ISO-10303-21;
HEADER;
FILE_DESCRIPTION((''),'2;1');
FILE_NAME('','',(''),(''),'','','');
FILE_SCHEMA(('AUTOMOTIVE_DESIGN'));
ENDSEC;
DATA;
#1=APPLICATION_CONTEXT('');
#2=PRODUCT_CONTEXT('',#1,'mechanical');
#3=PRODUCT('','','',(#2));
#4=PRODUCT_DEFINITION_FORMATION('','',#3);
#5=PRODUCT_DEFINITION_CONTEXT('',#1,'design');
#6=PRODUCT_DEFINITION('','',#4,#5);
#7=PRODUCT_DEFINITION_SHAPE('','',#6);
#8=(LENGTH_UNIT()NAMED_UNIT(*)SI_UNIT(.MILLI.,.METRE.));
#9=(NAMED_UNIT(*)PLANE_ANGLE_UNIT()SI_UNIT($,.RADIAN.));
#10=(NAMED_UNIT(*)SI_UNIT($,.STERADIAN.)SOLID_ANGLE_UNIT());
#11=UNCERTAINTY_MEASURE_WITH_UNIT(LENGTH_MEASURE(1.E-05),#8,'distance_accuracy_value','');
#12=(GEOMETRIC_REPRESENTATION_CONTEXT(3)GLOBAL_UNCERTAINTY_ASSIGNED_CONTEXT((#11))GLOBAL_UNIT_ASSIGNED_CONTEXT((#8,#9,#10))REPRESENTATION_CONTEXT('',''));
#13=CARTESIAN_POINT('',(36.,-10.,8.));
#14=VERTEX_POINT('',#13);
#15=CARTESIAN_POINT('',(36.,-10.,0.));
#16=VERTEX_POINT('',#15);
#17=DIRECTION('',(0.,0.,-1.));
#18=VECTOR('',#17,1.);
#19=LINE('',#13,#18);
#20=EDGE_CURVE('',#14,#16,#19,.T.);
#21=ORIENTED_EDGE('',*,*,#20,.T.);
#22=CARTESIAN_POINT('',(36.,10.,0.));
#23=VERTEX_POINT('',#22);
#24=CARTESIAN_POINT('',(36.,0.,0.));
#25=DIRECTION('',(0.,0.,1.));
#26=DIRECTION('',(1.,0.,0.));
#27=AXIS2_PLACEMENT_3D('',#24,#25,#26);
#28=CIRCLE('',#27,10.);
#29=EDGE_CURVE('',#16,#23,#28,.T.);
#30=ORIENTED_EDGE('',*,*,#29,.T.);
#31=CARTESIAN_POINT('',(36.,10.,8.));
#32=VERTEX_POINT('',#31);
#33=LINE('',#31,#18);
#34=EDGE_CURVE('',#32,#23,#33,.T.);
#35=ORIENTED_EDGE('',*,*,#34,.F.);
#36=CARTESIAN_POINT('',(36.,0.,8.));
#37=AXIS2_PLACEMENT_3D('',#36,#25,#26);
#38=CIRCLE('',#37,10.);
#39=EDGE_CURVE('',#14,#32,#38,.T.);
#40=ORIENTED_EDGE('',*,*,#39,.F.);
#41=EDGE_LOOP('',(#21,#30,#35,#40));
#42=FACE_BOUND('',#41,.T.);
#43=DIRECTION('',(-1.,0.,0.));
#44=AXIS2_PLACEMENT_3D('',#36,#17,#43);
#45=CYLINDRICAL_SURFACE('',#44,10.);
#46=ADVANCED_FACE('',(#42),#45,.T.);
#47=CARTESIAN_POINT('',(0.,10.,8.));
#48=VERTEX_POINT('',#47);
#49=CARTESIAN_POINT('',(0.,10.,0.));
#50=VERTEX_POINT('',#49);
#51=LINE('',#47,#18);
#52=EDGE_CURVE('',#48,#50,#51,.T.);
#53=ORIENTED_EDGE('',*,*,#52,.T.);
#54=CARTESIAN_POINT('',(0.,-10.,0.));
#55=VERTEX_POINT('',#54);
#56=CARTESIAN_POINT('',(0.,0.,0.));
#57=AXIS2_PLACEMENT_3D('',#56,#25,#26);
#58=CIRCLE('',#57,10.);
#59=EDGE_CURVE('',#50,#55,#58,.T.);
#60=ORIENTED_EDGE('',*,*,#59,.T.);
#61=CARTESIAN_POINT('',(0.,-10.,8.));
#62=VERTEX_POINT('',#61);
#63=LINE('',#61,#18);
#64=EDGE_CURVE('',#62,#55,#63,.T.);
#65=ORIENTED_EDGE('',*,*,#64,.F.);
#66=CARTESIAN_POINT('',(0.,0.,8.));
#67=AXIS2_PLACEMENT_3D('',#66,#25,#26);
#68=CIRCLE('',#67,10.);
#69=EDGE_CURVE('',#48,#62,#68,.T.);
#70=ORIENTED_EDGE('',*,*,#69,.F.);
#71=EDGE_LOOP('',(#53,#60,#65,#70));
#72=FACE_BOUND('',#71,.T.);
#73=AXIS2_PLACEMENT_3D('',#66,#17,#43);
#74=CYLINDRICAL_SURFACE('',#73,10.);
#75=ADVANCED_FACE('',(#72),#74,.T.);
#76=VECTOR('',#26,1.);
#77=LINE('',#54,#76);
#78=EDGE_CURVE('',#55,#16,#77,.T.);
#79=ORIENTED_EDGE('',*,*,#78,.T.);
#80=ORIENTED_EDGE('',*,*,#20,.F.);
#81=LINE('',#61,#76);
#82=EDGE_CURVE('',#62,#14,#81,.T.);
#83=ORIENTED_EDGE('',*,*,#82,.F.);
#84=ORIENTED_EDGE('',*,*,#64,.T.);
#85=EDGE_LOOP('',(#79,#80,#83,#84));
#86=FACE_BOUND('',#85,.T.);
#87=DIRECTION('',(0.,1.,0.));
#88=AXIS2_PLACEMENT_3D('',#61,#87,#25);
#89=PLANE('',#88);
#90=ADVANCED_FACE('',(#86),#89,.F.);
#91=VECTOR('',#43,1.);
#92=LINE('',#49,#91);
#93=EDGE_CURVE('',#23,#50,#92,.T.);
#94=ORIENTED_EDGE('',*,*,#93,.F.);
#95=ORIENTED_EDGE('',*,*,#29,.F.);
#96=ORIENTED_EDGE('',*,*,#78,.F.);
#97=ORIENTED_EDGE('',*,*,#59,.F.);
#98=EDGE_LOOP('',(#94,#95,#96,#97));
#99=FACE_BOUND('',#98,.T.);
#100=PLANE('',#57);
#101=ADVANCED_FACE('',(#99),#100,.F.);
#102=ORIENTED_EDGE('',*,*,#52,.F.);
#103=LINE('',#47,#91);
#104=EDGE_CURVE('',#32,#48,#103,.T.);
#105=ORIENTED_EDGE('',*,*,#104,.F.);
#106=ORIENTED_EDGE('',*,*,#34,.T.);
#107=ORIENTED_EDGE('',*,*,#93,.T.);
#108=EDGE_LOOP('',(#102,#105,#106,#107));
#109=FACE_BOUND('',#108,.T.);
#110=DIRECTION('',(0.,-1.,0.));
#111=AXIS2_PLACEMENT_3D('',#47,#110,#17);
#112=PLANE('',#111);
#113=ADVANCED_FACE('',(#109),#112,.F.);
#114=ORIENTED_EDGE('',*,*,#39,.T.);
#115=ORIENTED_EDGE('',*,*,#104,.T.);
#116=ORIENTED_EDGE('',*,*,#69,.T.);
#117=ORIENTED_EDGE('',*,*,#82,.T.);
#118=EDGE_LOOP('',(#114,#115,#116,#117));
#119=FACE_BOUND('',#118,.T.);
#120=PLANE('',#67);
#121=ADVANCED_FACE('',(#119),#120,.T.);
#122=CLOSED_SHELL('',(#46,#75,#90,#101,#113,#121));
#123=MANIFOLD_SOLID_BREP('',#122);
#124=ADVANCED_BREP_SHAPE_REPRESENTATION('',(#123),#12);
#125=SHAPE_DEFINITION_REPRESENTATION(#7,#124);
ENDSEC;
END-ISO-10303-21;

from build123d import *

# Parameters (mm, degrees)
ESTRUSIONE_ESTRUSIONE1_DEPTH = 8


with BuildPart() as part:
    # Schizzo1 → Estrusione-Estrusione1 (new body)
    with BuildSketch(Plane.XY):
        with BuildLine():
            Line((0, 10), (36, 10))
            ThreePointArc((36, 10), (46, 0), (36, -10))
            Line((36, -10), (0, -10))
            ThreePointArc((0, -10), (-10, 0), (0, 10))
        make_face()
    extrude(amount=ESTRUSIONE_ESTRUSIONE1_DEPTH)


solid = part.part
